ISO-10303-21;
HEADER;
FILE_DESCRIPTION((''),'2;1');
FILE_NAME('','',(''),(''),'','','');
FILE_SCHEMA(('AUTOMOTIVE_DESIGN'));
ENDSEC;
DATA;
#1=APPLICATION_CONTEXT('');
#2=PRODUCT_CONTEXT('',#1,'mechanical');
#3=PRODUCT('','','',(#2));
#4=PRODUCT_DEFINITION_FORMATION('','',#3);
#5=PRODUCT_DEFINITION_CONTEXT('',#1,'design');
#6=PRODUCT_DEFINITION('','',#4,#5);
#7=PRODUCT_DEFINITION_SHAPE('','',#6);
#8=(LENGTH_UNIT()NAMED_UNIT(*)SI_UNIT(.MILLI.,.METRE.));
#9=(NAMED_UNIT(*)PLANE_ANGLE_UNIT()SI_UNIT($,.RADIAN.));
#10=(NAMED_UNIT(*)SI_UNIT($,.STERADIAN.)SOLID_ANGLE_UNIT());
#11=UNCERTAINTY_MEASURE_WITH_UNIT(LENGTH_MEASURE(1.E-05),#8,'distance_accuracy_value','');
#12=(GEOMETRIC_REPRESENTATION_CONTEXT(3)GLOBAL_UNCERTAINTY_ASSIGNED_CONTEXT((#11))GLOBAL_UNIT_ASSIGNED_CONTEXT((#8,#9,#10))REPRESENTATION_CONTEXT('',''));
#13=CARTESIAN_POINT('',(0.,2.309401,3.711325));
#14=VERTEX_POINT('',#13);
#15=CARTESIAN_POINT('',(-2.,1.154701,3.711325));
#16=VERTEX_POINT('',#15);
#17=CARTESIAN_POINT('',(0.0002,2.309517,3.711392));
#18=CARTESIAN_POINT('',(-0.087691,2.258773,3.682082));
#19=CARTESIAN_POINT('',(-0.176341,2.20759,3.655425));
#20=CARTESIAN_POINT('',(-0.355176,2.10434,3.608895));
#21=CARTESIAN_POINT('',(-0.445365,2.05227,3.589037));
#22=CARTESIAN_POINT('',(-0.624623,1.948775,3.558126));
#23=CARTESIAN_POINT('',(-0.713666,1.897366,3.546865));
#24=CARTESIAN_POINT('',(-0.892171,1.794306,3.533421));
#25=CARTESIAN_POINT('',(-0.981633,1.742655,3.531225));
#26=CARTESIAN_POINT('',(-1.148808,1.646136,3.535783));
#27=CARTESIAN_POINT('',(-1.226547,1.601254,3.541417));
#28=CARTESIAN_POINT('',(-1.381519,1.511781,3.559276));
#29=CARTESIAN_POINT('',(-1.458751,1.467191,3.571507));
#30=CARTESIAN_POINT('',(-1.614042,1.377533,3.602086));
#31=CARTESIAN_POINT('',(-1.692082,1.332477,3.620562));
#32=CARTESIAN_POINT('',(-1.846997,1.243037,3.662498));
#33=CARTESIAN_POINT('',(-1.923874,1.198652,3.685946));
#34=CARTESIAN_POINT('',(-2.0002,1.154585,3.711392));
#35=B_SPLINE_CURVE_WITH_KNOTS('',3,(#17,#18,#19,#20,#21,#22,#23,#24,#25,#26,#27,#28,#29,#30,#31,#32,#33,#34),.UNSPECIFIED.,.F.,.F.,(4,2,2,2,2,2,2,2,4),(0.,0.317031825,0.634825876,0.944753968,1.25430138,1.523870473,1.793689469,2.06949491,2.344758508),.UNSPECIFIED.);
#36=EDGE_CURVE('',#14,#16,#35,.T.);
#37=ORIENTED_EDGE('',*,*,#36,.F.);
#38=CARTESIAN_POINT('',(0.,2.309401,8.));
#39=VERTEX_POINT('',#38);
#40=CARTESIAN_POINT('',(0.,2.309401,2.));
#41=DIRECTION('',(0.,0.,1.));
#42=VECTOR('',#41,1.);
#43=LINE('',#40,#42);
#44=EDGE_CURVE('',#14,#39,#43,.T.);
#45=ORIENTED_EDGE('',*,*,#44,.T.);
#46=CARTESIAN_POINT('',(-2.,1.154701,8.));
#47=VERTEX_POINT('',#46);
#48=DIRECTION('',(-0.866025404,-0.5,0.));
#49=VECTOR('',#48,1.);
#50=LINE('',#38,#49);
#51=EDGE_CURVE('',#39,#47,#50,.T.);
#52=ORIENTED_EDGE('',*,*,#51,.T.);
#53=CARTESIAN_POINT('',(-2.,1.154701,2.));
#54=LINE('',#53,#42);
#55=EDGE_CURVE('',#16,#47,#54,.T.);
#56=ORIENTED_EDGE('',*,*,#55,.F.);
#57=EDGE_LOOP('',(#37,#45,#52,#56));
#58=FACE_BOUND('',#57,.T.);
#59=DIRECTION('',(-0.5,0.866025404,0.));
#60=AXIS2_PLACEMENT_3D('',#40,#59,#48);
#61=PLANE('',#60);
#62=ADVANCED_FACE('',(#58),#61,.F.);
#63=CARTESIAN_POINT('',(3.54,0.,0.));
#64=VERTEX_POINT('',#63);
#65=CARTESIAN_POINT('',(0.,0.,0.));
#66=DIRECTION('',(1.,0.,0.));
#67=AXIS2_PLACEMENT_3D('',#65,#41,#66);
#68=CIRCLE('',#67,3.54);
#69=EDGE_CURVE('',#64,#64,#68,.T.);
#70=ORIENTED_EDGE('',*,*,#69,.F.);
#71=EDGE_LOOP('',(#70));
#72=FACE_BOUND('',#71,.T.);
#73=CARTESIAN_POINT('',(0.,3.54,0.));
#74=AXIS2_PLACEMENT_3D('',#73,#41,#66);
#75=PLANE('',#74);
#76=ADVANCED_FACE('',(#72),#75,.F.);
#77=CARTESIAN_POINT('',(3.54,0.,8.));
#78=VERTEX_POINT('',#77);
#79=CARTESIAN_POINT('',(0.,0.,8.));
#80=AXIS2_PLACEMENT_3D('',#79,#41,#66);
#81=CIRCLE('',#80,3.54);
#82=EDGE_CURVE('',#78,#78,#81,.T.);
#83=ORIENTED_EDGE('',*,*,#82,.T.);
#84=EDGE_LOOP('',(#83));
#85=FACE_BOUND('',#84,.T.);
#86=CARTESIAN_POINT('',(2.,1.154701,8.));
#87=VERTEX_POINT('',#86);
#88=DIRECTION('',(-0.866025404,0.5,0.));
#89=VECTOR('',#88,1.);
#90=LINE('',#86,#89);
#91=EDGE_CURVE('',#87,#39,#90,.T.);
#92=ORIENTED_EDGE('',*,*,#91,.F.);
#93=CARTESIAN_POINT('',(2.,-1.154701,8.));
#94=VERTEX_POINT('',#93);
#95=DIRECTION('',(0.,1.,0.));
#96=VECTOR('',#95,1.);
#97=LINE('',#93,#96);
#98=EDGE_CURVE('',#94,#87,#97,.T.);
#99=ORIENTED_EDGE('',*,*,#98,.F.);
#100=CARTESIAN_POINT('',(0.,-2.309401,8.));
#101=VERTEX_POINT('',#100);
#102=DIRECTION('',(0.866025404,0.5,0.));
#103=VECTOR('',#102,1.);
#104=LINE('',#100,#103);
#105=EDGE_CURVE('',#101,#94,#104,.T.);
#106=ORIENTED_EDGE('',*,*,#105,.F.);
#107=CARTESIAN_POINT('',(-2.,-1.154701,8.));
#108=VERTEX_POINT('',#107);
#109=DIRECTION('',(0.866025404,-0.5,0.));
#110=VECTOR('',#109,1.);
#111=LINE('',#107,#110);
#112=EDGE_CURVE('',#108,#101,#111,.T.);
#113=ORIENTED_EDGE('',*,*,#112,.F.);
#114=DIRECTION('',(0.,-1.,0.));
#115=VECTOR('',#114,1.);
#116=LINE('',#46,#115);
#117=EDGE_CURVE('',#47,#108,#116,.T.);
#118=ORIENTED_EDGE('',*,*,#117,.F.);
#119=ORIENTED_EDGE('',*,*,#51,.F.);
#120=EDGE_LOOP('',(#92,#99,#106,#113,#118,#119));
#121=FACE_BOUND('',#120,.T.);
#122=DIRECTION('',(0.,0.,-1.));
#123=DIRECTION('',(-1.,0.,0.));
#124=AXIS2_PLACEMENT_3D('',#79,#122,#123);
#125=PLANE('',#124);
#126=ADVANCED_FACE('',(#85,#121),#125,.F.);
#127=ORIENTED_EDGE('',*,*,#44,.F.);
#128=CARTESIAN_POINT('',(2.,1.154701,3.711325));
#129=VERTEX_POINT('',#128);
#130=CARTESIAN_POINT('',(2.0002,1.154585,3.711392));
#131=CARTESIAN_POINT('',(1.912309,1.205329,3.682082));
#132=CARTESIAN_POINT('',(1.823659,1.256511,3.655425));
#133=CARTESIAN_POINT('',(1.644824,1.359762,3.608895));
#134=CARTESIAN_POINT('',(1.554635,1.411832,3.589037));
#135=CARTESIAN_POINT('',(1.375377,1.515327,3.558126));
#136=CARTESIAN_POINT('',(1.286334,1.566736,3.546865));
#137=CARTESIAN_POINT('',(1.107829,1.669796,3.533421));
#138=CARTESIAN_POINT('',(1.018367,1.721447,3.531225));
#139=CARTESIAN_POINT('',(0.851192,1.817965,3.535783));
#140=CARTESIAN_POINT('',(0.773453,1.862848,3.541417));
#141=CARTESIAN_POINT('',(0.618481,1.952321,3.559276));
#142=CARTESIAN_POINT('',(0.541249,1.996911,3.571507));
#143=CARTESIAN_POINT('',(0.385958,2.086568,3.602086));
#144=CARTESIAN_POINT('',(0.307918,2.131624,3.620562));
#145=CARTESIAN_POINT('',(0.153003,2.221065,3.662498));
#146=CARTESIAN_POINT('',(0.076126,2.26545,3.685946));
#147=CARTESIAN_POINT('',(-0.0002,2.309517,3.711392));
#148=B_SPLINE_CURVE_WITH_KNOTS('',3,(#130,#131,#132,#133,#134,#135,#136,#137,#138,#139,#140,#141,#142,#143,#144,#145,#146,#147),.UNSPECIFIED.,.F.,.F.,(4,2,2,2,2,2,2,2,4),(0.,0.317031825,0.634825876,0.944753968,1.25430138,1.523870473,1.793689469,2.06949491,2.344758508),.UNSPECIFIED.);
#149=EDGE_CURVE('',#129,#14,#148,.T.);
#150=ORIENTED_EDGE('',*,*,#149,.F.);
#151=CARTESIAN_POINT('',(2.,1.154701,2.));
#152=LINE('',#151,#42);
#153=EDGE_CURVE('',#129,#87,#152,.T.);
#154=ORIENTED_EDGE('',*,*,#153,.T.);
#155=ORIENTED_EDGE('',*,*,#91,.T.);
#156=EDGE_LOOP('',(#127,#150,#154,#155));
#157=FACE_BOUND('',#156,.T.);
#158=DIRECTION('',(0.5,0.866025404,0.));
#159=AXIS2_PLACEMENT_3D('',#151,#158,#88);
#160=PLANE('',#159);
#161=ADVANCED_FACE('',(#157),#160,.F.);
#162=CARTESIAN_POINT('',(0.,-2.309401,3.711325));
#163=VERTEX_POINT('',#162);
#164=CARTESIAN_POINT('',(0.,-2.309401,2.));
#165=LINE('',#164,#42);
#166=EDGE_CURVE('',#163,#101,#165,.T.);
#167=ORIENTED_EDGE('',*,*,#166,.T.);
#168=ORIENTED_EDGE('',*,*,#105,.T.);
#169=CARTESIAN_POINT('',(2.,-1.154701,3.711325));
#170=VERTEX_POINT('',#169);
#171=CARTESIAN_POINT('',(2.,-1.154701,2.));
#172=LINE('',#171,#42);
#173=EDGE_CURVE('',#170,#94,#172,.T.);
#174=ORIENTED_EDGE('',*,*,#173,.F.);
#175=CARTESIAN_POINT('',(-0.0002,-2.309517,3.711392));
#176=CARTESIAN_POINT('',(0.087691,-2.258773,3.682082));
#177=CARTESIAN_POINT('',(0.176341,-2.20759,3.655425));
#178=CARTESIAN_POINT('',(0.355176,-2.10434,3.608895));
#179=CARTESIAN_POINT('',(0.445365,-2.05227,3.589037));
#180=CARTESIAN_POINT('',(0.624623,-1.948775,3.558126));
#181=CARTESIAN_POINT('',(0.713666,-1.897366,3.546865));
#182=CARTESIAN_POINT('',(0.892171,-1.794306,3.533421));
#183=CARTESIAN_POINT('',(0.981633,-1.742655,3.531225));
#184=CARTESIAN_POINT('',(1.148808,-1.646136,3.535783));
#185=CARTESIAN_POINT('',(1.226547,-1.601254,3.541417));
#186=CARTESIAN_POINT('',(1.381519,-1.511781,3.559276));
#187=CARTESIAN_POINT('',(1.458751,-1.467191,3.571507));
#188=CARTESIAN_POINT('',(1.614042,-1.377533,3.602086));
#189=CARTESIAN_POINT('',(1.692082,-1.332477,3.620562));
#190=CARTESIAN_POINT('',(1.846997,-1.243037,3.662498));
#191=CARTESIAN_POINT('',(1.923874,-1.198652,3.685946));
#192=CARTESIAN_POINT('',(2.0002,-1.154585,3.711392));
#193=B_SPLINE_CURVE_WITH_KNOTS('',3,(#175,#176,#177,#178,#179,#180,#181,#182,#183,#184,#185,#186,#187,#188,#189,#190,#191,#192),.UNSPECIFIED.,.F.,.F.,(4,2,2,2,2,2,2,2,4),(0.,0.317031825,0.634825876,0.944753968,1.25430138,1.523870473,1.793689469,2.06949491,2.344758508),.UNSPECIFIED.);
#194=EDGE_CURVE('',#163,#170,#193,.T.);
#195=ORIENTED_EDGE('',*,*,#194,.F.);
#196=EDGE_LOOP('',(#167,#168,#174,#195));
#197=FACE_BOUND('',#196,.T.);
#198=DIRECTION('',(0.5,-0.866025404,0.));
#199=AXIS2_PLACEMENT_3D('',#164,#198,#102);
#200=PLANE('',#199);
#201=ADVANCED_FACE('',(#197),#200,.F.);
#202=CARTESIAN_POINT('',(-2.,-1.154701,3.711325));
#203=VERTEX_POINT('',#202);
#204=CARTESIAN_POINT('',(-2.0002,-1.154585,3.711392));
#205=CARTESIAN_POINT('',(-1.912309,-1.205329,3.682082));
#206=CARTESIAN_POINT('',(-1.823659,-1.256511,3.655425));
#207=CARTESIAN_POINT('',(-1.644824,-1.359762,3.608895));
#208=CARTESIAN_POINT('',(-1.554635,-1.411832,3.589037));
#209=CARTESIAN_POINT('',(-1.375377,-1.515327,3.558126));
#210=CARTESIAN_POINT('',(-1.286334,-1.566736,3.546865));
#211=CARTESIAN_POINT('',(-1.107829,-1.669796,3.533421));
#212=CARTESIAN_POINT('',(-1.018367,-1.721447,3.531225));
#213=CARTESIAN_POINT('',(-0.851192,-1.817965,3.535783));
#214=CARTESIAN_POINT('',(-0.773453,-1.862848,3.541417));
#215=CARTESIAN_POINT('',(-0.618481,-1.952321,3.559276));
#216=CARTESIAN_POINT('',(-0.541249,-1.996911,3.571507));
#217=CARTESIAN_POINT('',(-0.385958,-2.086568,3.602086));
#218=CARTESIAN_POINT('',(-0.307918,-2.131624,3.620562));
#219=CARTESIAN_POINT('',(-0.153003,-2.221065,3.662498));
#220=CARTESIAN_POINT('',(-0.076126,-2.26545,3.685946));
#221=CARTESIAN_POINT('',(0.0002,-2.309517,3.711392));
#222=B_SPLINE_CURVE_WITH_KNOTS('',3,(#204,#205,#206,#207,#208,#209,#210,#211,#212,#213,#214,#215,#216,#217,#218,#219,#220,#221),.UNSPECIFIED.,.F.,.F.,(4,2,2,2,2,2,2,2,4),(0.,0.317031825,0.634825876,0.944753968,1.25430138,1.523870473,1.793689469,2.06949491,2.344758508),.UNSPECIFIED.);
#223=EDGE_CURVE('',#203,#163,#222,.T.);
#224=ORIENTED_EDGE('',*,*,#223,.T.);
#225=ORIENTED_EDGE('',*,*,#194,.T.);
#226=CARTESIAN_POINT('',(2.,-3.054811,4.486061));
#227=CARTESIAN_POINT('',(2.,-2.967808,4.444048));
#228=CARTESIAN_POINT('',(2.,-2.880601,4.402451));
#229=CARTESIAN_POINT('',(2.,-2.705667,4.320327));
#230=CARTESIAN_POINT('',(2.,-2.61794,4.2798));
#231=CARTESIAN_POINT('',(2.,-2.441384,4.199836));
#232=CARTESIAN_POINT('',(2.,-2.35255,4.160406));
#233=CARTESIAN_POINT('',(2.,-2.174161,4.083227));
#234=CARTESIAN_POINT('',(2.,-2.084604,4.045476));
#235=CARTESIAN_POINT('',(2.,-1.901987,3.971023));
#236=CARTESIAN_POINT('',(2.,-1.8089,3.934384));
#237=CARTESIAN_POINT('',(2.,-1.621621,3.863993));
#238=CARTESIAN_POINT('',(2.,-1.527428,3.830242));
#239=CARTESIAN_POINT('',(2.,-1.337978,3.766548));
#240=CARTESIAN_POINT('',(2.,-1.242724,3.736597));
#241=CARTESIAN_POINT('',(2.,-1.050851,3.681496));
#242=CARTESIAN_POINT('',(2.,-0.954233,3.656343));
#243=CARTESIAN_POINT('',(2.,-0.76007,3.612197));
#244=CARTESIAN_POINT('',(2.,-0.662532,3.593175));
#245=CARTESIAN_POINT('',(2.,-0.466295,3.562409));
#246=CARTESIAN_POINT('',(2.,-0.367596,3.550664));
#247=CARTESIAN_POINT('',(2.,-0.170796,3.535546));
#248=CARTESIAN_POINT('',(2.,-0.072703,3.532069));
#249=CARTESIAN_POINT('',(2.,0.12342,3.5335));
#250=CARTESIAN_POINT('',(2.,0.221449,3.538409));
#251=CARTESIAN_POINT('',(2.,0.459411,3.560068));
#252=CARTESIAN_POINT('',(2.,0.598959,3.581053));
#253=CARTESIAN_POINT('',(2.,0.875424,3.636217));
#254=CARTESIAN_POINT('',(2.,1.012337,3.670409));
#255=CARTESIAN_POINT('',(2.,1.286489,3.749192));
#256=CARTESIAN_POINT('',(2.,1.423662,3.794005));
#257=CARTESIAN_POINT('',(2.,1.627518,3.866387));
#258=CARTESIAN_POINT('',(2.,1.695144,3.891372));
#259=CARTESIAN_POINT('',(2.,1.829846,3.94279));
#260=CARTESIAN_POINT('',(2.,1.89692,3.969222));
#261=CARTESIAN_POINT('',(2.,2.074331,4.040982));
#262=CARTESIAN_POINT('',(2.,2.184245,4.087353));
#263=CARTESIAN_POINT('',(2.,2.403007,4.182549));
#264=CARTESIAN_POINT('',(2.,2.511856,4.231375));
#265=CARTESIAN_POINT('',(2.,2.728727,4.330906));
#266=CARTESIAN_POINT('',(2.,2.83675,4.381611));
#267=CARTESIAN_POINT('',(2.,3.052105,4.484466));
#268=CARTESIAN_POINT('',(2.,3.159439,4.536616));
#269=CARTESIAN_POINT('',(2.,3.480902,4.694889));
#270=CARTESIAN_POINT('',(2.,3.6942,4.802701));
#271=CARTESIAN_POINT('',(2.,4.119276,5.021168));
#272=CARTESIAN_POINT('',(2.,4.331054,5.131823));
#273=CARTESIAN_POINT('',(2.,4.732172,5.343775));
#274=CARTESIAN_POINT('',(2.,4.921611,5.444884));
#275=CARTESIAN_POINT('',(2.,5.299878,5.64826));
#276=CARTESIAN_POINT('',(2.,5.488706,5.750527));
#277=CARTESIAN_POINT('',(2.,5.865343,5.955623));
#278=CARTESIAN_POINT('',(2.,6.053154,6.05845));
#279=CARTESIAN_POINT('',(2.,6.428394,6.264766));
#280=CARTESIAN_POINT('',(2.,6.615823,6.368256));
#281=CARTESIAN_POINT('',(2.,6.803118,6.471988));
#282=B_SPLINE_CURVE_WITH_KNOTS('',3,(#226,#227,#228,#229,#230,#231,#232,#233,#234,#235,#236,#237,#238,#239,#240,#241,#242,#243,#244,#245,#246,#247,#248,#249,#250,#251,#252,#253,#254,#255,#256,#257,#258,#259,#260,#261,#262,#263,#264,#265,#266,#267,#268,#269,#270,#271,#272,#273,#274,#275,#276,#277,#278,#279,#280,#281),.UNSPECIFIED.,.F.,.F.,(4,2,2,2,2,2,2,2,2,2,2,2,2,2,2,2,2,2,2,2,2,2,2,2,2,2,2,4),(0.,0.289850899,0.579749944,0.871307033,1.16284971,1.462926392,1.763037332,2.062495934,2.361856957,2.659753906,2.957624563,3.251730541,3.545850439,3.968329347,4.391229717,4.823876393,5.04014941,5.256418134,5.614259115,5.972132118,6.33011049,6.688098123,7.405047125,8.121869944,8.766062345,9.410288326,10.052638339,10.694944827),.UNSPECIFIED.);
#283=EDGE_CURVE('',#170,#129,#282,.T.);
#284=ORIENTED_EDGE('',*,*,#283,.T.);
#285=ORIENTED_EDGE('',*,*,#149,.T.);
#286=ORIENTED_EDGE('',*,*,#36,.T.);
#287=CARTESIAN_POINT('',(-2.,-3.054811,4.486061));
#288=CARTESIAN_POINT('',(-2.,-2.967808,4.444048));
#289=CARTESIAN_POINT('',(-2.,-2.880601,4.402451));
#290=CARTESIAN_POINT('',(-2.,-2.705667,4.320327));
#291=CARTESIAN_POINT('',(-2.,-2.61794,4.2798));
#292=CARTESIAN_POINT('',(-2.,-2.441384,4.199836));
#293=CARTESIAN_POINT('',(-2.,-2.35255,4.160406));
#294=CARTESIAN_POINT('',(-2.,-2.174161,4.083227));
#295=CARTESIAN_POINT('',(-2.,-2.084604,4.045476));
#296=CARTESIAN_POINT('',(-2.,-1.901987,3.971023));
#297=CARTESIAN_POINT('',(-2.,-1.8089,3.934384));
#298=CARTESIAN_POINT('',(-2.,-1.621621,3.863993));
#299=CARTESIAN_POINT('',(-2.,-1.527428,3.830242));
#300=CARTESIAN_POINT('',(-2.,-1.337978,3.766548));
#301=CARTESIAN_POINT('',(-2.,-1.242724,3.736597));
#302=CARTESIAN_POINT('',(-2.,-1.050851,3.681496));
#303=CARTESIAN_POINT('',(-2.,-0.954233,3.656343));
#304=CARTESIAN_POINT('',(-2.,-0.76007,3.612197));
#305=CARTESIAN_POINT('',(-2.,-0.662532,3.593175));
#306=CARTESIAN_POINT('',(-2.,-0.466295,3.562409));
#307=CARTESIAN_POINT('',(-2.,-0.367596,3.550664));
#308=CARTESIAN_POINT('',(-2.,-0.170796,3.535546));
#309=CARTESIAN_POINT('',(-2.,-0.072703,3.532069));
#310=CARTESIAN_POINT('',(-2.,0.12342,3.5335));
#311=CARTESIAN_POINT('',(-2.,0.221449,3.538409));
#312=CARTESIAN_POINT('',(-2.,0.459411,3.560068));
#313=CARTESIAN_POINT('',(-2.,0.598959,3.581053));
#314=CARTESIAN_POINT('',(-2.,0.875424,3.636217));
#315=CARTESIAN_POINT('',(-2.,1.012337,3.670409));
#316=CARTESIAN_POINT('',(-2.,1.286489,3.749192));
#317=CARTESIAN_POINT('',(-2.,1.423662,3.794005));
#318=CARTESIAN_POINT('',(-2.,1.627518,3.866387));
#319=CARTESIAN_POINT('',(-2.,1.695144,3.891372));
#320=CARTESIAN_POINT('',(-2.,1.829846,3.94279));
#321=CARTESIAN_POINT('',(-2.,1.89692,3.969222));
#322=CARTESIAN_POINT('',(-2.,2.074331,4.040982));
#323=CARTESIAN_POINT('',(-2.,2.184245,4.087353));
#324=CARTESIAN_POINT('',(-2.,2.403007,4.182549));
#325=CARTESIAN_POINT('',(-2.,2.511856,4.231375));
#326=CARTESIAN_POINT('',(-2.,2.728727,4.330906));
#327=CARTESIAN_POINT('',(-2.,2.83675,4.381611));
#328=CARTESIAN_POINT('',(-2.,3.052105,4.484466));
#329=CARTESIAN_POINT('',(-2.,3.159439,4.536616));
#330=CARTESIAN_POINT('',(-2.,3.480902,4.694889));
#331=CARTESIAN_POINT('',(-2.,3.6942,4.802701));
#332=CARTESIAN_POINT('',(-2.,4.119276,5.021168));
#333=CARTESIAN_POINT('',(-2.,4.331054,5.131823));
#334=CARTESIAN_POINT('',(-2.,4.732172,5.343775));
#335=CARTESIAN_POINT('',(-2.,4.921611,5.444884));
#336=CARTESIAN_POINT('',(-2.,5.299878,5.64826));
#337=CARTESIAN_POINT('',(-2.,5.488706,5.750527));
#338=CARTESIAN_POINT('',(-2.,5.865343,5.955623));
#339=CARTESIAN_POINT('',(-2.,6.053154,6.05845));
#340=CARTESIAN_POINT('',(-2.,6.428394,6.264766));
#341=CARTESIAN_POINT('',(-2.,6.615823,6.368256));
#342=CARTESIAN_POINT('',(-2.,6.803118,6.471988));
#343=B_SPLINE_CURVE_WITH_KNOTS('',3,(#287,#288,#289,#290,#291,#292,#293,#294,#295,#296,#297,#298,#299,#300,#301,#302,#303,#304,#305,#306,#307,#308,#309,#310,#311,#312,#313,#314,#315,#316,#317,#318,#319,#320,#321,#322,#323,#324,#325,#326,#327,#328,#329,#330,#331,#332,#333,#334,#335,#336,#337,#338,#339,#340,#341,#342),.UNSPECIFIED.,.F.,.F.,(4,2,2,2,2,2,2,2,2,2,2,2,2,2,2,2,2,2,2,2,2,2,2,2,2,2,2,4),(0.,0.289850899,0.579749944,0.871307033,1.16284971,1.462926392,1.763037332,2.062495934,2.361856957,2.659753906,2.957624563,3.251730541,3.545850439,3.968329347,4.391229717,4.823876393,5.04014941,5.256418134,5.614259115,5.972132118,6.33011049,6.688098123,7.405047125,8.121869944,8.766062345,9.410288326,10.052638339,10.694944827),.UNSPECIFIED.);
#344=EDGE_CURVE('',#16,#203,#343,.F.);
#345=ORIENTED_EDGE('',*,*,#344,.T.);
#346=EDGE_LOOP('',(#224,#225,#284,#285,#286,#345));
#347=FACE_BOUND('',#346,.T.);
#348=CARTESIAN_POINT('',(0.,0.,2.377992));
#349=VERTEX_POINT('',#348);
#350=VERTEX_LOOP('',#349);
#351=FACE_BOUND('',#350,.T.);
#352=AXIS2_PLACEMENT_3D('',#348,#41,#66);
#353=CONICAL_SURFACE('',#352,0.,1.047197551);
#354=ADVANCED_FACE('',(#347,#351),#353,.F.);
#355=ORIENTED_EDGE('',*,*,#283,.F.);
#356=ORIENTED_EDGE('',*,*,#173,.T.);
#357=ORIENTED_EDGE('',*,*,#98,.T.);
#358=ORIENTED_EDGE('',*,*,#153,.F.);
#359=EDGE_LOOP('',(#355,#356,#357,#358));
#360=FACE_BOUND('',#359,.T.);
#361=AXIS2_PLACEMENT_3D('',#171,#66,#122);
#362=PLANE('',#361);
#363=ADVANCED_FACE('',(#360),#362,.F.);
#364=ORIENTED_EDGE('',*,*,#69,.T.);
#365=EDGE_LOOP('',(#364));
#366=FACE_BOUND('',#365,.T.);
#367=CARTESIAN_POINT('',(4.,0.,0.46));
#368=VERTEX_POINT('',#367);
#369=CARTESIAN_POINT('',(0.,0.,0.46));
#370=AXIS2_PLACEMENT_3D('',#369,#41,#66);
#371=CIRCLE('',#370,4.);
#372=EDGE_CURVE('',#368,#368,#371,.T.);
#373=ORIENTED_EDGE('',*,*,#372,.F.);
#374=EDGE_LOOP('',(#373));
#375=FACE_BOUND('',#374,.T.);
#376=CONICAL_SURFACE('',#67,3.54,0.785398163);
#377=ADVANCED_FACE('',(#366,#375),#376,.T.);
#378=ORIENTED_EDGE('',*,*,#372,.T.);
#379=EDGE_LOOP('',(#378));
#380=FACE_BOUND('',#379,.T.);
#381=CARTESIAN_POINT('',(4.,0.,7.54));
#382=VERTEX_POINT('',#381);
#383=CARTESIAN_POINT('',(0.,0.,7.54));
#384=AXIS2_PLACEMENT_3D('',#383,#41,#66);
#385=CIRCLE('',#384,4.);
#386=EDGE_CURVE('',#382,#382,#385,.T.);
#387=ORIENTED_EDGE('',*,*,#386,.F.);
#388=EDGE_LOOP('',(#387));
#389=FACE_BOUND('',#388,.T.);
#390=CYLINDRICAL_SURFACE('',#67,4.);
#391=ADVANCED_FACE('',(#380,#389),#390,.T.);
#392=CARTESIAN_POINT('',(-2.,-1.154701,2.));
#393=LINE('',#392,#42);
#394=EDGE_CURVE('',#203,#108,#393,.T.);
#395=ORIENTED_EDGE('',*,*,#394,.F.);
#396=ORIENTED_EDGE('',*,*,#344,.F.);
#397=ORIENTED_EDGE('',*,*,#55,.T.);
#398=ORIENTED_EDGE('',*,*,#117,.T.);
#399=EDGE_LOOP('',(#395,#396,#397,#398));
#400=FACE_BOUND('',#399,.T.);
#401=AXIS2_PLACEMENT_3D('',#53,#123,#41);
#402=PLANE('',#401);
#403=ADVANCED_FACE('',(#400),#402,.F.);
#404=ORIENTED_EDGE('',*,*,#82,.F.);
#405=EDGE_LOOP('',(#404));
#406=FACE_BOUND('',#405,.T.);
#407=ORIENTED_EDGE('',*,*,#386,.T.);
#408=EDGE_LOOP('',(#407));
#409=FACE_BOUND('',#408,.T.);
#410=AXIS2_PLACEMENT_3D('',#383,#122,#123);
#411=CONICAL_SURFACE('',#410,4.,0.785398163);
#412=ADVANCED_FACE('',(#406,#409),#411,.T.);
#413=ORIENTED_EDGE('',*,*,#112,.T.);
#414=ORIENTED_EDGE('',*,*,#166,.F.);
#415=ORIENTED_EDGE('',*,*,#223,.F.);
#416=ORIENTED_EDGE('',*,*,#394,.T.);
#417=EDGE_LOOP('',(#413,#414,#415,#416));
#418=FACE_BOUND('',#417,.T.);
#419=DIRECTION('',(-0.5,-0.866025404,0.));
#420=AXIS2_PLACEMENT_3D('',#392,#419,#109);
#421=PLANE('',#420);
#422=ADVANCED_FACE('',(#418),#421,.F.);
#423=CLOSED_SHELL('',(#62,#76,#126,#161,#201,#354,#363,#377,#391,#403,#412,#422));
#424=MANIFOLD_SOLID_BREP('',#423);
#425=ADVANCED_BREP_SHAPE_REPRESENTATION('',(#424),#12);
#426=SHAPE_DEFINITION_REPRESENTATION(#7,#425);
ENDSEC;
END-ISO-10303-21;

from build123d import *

# Parameters (mm, degrees)
SZKIC3_R                    = 3.009401077
DODANIE_WYCI_GNI_CIE1_DEPTH = 6


with BuildPart() as part:
    # Szkic1 → Obrót1 (revolve)
    with BuildSketch(Plane(origin=(0, 0, 0), x_dir=(0, 0, -1), z_dir=(1, 0, 0)), mode=Mode.PRIVATE) as obr_t1_sk:
        Polygon((-8, 0), (-8, 3.54), (-7.54, 4), (-0.46, 4), (0, 3.54), (0, 0), align=None)
    revolve(obr_t1_sk.sketch.rotate(Axis((0, 0, 0), (0, 0, 1)), 270), axis=Axis((0, 0, 0), (0, 0, 1)))

    # Szkic2 → Wycięcie-obrót1 (revolve, cut)
    with BuildSketch(Plane(origin=(0, 0, 0), x_dir=(0, 0, -1), z_dir=(1, 0, 0)), mode=Mode.PRIVATE) as wyci_cie_obr_t1_sk:
        Polygon((-8, 0), (-8, 2.809401077), (-4, 2.809401077), (-2.377991532, 0), align=None)
    revolve(wyci_cie_obr_t1_sk.sketch.rotate(Axis((0, 0, 2.377991532), (0, 0, 1)), 270), axis=Axis((0, 0, 2.377991532), (0, 0, 1)), mode=Mode.SUBTRACT)

    # Szkic3 → Dodanie-wyciągnięcie1 (add)
    with BuildSketch(Plane.XY.offset(8)):
        Circle(SZKIC3_R)
        Polygon((-2, 1.154700538), (-2, -1.154700538), (0, -2.309401077), (2, -1.154700538), (2, 1.154700538), (0, 2.309401077), align=None, mode=Mode.SUBTRACT)
    extrude(amount=-DODANIE_WYCI_GNI_CIE1_DEPTH)


solid = part.part
